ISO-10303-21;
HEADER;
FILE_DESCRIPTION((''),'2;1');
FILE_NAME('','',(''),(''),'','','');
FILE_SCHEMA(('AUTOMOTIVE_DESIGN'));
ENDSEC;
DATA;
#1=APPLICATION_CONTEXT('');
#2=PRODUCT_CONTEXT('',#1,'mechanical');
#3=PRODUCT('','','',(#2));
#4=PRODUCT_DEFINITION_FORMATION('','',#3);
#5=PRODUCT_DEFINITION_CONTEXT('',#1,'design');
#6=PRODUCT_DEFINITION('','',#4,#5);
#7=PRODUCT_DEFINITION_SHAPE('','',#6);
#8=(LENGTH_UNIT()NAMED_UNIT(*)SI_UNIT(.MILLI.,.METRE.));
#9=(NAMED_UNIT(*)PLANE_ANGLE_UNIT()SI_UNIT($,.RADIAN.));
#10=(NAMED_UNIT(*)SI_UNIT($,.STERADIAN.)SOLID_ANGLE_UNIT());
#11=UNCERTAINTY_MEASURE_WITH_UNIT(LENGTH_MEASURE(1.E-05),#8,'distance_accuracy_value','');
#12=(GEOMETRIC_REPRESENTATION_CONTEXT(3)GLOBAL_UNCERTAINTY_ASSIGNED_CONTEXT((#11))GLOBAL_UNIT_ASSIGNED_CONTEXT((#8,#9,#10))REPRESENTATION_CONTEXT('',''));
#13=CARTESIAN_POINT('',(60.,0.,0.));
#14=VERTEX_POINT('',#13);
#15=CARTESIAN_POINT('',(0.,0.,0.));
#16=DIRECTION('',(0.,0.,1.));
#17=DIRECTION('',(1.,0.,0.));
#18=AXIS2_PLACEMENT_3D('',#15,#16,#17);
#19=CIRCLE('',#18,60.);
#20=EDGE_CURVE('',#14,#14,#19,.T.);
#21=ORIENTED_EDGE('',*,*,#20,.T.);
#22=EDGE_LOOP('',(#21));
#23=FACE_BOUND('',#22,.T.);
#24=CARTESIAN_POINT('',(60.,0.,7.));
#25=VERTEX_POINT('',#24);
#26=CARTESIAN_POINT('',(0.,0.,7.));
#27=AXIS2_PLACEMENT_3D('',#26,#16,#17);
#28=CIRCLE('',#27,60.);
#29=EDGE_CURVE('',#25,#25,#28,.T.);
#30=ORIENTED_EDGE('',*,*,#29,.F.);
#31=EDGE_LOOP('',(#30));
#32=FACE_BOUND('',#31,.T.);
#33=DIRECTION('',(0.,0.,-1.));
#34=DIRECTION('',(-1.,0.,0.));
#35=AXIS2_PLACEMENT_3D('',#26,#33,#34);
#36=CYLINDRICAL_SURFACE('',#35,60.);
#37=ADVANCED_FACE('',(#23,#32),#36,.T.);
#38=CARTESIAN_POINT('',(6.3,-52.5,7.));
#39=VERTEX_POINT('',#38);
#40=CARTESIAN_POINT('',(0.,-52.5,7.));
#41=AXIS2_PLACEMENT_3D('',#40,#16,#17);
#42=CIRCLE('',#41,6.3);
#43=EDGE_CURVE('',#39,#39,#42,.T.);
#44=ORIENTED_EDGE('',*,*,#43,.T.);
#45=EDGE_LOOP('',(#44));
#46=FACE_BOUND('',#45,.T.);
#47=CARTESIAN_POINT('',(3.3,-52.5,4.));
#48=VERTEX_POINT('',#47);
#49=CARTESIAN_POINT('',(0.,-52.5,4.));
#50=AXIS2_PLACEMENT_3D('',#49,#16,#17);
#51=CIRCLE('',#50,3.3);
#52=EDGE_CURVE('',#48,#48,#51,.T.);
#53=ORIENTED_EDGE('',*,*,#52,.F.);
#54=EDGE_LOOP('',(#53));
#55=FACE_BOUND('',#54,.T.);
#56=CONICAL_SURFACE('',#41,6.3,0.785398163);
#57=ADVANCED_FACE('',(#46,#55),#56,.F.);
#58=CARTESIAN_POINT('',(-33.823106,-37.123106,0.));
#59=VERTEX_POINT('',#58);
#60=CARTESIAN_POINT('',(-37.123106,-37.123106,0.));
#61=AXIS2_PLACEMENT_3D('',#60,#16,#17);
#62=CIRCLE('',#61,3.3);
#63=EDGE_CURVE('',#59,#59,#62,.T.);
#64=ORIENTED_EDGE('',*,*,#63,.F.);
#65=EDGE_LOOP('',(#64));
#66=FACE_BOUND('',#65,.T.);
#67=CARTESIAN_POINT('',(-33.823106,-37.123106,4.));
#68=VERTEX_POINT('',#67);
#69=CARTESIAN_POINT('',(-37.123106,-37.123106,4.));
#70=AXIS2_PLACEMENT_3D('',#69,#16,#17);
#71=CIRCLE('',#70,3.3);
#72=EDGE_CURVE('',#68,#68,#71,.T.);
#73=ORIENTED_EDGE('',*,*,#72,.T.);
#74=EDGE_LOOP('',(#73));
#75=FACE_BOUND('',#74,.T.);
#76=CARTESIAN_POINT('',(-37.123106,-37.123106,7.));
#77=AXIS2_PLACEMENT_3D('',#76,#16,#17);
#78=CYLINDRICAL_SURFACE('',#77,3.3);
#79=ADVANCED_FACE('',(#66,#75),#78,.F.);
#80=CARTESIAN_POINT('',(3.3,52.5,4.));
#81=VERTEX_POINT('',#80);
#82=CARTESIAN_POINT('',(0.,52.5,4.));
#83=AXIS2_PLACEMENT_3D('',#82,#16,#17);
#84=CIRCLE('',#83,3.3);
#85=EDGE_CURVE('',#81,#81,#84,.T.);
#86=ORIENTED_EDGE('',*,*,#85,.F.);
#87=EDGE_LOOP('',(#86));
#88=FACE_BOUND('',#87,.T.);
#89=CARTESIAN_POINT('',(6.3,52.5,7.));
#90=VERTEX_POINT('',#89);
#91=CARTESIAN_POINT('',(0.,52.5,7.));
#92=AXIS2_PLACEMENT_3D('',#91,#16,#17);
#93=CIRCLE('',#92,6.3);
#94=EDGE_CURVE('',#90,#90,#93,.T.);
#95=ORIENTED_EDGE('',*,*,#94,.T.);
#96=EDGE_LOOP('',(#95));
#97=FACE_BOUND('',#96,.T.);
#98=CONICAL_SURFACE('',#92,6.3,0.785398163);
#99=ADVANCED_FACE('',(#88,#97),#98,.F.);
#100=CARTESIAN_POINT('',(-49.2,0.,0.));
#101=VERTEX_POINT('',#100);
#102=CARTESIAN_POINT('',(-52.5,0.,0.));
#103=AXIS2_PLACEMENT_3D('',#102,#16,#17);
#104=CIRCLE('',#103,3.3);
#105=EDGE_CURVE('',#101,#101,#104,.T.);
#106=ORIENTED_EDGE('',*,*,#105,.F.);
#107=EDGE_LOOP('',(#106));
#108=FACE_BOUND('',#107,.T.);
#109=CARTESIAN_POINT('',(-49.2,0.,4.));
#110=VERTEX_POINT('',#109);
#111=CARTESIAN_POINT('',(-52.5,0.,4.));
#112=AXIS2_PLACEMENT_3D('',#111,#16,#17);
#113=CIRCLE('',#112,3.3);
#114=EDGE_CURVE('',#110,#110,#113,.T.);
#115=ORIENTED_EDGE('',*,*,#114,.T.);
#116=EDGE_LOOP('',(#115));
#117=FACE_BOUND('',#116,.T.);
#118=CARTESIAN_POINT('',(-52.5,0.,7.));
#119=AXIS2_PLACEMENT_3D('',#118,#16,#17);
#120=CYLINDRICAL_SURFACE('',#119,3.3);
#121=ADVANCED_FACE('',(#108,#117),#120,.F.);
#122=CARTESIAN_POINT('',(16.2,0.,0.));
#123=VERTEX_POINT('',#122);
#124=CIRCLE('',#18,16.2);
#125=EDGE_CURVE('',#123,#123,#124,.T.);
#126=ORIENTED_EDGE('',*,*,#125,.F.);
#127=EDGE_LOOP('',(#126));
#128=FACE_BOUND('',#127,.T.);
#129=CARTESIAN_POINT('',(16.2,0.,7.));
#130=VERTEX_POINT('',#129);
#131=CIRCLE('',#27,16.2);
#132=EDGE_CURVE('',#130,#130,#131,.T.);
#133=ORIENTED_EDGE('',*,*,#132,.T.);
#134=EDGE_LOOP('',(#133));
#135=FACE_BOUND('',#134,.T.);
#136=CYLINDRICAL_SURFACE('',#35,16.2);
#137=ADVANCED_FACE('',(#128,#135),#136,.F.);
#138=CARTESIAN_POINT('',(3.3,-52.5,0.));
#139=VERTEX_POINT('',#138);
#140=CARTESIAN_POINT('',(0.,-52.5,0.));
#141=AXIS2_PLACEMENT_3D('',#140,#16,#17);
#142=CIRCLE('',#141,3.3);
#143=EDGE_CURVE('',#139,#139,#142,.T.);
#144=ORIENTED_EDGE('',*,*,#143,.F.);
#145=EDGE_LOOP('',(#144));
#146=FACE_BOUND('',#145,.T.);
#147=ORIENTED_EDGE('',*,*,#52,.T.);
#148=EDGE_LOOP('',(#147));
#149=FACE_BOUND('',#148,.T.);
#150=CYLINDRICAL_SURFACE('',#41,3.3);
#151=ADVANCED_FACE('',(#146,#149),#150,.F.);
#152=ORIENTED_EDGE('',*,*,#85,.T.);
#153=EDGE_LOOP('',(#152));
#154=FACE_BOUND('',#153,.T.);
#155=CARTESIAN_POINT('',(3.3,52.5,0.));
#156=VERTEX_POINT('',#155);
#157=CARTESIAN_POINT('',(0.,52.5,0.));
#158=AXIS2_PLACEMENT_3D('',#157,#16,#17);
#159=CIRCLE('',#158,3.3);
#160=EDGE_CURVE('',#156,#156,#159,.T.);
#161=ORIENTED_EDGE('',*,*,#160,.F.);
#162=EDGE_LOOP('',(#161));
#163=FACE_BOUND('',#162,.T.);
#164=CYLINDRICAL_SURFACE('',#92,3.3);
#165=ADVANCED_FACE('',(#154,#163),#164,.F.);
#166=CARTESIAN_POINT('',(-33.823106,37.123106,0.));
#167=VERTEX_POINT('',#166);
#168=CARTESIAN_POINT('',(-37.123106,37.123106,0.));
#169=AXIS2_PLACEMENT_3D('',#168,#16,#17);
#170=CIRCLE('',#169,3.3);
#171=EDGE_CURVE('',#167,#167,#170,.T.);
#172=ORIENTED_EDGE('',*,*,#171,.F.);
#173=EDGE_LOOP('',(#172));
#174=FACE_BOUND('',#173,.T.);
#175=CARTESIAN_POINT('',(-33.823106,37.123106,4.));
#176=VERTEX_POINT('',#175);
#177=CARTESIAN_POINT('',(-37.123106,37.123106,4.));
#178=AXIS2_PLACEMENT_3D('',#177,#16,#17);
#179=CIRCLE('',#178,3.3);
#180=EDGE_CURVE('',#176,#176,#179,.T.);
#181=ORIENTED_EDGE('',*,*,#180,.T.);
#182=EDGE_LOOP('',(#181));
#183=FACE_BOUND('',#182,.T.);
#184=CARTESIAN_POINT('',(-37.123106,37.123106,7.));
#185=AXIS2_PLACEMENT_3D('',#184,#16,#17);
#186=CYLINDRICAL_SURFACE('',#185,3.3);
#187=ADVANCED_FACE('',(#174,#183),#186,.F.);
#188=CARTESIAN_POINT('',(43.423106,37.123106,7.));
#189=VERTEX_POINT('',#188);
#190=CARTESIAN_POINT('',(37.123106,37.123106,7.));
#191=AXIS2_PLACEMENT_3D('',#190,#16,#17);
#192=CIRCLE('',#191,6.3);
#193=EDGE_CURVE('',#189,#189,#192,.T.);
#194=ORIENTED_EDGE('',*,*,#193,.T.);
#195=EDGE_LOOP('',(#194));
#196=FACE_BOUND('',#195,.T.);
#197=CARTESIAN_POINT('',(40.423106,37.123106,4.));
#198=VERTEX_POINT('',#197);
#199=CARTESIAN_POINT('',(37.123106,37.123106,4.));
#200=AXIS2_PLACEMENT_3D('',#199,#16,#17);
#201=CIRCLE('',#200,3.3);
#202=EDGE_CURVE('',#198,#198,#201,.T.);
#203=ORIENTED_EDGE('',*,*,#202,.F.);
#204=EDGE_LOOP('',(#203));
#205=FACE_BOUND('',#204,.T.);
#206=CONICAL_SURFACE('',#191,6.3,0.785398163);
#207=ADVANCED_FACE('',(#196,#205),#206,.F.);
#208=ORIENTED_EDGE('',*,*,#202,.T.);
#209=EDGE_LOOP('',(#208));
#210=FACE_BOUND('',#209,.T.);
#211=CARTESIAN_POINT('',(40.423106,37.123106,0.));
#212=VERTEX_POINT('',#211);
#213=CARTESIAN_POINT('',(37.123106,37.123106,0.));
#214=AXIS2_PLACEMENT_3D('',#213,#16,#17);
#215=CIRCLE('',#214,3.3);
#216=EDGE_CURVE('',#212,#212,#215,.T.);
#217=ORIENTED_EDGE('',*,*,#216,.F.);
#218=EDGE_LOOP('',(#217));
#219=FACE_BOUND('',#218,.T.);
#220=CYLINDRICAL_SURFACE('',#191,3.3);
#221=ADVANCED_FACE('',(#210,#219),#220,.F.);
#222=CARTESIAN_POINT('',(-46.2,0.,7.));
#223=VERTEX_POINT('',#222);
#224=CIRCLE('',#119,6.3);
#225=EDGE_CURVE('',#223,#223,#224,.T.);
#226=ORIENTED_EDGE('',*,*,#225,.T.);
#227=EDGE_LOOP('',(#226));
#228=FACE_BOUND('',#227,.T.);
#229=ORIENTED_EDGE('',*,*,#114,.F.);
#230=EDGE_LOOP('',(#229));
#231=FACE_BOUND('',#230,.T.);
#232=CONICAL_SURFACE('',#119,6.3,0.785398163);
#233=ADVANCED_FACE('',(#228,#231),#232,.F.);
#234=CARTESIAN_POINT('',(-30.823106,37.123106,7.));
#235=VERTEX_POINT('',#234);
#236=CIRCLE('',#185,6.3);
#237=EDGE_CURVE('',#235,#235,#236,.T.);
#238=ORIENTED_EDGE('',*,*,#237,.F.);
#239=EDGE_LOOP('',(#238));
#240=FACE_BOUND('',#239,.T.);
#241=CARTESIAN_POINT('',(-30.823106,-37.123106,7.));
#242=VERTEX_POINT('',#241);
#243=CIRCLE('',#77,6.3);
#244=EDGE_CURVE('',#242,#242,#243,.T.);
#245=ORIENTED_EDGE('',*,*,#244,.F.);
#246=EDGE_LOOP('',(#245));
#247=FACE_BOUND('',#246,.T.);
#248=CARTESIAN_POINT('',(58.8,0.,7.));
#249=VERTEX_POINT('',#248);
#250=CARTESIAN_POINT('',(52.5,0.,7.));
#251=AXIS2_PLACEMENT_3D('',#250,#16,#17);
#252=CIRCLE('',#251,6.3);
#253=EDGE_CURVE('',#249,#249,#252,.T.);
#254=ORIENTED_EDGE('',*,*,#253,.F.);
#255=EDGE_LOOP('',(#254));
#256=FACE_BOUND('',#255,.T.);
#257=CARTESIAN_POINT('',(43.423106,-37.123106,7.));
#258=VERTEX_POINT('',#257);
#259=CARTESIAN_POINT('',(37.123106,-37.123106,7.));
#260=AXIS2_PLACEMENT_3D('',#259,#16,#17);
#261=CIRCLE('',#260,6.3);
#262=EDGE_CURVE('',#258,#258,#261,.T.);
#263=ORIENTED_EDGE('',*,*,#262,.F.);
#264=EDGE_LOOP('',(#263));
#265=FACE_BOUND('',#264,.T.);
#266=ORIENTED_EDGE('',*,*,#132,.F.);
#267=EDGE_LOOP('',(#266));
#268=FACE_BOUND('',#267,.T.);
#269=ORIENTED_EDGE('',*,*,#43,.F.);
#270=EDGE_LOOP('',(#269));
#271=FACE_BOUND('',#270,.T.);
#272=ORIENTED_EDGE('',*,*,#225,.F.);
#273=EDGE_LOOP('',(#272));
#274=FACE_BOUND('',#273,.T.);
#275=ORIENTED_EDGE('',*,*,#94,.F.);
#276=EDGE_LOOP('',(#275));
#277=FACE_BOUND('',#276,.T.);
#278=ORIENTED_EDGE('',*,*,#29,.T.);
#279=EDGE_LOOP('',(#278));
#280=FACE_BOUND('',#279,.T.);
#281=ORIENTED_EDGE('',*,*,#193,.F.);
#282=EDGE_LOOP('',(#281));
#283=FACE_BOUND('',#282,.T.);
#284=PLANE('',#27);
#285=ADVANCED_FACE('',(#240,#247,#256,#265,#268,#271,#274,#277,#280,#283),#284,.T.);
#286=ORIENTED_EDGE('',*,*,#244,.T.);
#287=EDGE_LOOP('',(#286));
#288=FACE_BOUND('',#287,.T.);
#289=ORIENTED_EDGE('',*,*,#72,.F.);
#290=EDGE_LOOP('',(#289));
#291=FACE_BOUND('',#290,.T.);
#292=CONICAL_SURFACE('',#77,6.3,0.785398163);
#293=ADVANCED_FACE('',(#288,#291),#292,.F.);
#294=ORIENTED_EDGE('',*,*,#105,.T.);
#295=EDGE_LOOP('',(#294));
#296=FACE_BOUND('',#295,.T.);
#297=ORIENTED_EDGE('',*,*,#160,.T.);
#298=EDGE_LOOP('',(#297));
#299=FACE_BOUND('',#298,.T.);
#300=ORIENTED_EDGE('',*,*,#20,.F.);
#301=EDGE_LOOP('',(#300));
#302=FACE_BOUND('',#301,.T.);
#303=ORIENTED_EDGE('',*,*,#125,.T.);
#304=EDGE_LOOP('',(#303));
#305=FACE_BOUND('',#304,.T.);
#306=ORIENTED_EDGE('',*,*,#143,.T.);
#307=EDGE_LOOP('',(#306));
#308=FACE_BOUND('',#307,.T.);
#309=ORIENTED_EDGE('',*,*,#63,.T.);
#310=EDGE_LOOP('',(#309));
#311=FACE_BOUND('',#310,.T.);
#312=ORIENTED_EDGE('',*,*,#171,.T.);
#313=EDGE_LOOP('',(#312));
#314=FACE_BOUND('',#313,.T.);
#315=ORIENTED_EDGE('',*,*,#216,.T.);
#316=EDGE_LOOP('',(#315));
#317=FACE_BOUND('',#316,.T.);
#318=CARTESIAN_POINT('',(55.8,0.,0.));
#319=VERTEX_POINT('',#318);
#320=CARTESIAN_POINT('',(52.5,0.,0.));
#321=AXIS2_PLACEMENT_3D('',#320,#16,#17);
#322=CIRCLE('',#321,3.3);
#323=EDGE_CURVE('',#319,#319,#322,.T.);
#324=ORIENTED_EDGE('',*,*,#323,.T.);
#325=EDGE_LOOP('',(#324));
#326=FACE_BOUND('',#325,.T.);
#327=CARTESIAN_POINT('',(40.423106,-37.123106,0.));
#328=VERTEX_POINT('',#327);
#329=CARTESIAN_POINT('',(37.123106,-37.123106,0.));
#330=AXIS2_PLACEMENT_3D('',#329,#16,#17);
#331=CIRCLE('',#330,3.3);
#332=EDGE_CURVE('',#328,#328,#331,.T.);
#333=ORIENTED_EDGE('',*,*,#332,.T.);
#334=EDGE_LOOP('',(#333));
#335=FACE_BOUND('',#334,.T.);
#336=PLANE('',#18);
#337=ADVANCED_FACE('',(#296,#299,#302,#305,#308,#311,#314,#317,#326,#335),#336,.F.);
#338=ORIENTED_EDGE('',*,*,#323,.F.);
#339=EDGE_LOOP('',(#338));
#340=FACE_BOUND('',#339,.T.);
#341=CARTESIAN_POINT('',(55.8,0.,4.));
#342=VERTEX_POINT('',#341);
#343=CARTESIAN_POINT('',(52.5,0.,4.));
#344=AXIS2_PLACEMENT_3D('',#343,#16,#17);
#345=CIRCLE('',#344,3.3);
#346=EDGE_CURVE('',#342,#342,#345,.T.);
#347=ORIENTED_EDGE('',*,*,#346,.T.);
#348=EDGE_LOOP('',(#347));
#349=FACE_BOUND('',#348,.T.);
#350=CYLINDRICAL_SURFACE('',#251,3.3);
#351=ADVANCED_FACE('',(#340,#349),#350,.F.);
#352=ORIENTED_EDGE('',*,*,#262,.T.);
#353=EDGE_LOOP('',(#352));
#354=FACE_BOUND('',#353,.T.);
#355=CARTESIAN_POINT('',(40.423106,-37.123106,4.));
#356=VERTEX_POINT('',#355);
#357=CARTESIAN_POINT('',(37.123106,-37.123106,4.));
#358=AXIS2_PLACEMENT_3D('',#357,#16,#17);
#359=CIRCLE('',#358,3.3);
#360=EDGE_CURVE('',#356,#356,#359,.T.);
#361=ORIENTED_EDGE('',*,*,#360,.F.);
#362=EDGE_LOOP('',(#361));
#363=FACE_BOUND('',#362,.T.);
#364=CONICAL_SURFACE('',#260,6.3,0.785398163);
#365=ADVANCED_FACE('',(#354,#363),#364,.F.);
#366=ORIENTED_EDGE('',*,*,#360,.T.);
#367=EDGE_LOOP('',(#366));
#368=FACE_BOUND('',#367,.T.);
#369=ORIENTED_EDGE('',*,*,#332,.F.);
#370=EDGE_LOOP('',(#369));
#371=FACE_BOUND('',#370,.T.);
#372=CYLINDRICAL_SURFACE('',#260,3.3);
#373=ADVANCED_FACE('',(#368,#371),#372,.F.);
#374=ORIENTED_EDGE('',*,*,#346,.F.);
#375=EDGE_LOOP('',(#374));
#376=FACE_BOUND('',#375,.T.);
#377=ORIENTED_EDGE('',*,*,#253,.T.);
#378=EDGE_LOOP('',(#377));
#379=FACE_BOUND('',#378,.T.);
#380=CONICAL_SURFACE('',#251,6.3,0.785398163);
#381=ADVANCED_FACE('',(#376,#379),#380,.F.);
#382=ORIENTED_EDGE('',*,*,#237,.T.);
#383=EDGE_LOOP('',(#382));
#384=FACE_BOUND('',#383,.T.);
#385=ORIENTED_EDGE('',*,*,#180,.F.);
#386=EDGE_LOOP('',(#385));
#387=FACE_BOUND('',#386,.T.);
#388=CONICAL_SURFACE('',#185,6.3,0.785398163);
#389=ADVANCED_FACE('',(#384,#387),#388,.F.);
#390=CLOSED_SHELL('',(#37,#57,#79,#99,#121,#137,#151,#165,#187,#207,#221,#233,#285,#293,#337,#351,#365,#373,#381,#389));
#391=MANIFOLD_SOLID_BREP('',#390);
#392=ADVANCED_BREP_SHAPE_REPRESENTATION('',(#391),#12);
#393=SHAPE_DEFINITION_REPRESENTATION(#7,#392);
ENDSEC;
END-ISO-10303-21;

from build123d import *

# Parameters (mm, degrees)
SKETCH1_R                                           = 60
SKETCH1_R_2                                         = 16.2
BOSS_EXTRUDE1_DEPTH                                 = 7
CSK_FOR_M6_COUNTERSUNK_FLAT_HEAD_SCREW1_D           = 6.6
CSK_FOR_M6_COUNTERSUNK_FLAT_HEAD_SCREW1_CSINK_D     = 12.6
CSK_FOR_M6_COUNTERSUNK_FLAT_HEAD_SCREW1_CSINK_ANGLE = 90


with BuildPart() as part:
    # Sketch1 → Boss-Extrude1 (new body)
    with BuildSketch(Plane.XY):
        Circle(SKETCH1_R)
        Circle(SKETCH1_R_2, mode=Mode.SUBTRACT)
    extrude(amount=BOSS_EXTRUDE1_DEPTH)

    # CSK for M6 Countersunk Flat Head Screw1 (through all)
    with Locations(Plane.XY.offset(7)):
        with Locations((-37.123106012, 37.123106012), (0, 52.5), (37.123106012, 37.123106012), (52.5, 0), (37.123106012, -37.123106012), (0, -52.5), (-37.123106012, -37.123106012), (-52.5, 0)):
            CounterSinkHole(CSK_FOR_M6_COUNTERSUNK_FLAT_HEAD_SCREW1_D / 2, CSK_FOR_M6_COUNTERSUNK_FLAT_HEAD_SCREW1_CSINK_D / 2, counter_sink_angle=CSK_FOR_M6_COUNTERSUNK_FLAT_HEAD_SCREW1_CSINK_ANGLE)


solid = part.part
